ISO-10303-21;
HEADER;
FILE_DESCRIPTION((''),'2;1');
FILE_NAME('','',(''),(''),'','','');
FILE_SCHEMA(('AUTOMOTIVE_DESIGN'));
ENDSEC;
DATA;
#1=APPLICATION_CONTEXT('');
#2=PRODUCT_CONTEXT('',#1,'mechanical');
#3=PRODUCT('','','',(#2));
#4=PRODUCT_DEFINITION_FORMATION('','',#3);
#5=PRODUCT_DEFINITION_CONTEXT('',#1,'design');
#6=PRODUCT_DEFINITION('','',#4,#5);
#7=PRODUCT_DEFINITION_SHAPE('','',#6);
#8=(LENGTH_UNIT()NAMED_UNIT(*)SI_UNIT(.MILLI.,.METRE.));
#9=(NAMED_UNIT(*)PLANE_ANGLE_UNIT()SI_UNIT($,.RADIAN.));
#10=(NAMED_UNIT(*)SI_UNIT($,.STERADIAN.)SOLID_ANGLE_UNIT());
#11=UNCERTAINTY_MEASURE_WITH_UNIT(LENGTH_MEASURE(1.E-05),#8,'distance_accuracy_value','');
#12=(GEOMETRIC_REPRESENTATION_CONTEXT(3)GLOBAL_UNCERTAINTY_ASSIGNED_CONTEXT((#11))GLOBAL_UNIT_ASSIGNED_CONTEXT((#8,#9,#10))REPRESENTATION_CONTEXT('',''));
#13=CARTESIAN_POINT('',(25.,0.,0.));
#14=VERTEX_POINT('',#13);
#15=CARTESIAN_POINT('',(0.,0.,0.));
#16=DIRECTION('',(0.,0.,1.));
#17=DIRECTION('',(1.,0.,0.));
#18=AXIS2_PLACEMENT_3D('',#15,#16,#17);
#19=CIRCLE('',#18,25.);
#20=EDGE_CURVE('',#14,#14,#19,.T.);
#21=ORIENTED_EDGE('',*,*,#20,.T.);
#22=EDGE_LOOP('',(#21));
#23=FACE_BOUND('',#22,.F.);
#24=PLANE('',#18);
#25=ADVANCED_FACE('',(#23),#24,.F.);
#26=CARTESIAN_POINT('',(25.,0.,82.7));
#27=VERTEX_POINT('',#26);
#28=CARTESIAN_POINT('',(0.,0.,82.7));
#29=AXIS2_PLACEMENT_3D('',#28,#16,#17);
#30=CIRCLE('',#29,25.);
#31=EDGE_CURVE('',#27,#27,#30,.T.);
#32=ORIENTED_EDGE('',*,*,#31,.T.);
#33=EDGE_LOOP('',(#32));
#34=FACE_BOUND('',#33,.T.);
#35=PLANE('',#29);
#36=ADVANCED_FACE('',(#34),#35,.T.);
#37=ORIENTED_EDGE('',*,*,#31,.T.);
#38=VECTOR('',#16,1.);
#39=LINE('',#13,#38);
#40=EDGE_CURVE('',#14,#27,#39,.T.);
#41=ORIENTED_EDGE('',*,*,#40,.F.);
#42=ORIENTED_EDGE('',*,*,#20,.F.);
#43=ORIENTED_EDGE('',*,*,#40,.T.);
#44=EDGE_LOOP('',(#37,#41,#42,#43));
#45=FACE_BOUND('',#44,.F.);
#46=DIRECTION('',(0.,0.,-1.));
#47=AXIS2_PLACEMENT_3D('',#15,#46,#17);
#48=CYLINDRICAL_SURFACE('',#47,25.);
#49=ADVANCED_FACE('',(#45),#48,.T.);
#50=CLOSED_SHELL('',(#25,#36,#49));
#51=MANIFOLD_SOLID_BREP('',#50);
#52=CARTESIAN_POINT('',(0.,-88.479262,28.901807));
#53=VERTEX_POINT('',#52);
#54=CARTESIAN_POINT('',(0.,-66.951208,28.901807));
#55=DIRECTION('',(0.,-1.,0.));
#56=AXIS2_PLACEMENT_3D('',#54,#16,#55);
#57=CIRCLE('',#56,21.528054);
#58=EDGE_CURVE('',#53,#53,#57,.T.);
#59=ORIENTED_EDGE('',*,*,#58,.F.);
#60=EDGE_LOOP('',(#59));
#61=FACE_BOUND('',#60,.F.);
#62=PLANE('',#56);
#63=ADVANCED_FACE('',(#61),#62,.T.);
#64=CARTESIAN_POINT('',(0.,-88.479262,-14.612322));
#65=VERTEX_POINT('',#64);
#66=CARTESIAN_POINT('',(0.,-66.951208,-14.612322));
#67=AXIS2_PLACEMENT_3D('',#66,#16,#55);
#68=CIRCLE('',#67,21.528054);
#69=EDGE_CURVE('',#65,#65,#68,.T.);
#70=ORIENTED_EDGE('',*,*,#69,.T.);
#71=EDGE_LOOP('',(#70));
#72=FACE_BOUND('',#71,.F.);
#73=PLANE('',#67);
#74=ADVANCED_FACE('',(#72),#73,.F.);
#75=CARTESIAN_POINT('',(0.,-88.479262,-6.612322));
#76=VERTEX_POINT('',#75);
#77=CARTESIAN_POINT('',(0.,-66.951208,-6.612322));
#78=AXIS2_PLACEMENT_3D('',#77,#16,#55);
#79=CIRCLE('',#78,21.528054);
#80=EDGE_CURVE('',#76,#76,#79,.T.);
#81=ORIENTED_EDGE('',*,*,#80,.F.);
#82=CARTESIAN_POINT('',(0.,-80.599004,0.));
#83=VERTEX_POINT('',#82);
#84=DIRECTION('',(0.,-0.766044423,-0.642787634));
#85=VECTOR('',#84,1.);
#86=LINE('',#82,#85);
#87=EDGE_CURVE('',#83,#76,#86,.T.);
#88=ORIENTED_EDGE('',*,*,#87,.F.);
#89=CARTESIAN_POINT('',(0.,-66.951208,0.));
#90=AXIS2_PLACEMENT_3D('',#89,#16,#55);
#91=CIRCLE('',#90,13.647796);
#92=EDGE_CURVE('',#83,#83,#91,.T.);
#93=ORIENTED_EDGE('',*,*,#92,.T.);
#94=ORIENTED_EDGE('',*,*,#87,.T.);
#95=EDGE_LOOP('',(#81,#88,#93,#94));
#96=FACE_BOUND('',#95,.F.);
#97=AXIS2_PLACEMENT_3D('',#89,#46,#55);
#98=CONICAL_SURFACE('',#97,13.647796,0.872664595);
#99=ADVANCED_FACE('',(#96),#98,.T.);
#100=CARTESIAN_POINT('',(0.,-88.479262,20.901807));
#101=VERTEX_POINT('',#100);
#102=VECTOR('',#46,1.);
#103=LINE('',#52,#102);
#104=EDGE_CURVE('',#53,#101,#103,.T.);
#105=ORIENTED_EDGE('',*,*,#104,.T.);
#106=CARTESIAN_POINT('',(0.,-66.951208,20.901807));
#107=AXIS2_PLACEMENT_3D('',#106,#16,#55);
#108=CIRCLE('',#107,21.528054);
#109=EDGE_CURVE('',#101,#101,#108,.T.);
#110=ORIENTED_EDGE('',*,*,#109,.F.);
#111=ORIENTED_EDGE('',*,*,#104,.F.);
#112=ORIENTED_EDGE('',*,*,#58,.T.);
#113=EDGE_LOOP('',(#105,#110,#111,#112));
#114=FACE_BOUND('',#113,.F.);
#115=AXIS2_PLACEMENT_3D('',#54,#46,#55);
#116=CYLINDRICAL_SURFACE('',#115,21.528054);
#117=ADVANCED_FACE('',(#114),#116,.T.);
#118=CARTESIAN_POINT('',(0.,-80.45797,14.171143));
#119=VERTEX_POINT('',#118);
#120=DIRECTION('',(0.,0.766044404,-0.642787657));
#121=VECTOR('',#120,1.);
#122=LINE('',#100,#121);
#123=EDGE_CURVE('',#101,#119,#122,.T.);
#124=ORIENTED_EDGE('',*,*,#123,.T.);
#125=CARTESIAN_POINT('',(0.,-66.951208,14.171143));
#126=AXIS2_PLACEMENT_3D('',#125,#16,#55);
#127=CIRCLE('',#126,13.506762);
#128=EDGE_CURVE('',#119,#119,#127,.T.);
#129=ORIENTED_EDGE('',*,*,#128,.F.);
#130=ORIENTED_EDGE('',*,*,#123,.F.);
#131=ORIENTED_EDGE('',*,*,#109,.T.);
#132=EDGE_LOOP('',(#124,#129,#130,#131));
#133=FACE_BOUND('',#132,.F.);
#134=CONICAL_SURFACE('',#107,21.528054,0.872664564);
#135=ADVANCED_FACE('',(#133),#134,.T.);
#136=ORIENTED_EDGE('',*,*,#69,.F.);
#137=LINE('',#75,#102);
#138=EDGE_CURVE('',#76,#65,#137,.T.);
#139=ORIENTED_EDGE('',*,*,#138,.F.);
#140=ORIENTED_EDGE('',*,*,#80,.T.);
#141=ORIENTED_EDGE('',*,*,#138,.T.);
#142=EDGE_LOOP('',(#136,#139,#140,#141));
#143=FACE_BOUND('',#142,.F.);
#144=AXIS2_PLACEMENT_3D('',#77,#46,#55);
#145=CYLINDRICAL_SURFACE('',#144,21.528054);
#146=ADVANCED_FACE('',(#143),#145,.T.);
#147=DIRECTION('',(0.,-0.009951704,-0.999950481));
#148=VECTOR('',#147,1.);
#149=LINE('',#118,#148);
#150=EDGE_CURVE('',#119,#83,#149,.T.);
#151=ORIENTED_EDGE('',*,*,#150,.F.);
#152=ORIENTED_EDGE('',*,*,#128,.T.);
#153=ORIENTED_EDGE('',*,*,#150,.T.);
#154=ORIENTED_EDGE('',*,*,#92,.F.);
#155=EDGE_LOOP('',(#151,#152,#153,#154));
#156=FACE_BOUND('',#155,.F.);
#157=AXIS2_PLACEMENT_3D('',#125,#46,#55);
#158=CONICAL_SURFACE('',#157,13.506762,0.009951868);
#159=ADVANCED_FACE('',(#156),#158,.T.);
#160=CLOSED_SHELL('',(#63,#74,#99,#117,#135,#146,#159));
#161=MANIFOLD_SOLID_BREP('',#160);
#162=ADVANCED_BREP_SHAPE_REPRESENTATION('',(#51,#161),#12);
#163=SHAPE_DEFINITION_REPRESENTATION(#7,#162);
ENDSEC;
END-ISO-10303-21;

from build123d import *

# Parameters (mm, degrees)
F0_R     = 25
F1_DEPTH = 82.7


with BuildPart() as f1:
    # F0 (on Top) → F1 (new body)
    with BuildSketch(Plane.XY):
        Circle(F0_R)
    extrude(amount=F1_DEPTH)


with BuildPart() as f3:
    # F2 (on Right) → F3 (revolve)
    with BuildSketch(Plane.YZ):
        Polygon((-88.479262, -14.612322), (-66.951208, -14.612322), (-66.951208, 28.901807), (-88.479262, 28.901807), (-88.479262, 20.901807), (-80.45797, 14.171143), (-80.599004, 0), (-88.479262, -6.612322), align=None)
    revolve(axis=Axis((0, -66.951208, 7.144743), (0, 0, 1)))


solid = Compound([f1.part, f3.part])
